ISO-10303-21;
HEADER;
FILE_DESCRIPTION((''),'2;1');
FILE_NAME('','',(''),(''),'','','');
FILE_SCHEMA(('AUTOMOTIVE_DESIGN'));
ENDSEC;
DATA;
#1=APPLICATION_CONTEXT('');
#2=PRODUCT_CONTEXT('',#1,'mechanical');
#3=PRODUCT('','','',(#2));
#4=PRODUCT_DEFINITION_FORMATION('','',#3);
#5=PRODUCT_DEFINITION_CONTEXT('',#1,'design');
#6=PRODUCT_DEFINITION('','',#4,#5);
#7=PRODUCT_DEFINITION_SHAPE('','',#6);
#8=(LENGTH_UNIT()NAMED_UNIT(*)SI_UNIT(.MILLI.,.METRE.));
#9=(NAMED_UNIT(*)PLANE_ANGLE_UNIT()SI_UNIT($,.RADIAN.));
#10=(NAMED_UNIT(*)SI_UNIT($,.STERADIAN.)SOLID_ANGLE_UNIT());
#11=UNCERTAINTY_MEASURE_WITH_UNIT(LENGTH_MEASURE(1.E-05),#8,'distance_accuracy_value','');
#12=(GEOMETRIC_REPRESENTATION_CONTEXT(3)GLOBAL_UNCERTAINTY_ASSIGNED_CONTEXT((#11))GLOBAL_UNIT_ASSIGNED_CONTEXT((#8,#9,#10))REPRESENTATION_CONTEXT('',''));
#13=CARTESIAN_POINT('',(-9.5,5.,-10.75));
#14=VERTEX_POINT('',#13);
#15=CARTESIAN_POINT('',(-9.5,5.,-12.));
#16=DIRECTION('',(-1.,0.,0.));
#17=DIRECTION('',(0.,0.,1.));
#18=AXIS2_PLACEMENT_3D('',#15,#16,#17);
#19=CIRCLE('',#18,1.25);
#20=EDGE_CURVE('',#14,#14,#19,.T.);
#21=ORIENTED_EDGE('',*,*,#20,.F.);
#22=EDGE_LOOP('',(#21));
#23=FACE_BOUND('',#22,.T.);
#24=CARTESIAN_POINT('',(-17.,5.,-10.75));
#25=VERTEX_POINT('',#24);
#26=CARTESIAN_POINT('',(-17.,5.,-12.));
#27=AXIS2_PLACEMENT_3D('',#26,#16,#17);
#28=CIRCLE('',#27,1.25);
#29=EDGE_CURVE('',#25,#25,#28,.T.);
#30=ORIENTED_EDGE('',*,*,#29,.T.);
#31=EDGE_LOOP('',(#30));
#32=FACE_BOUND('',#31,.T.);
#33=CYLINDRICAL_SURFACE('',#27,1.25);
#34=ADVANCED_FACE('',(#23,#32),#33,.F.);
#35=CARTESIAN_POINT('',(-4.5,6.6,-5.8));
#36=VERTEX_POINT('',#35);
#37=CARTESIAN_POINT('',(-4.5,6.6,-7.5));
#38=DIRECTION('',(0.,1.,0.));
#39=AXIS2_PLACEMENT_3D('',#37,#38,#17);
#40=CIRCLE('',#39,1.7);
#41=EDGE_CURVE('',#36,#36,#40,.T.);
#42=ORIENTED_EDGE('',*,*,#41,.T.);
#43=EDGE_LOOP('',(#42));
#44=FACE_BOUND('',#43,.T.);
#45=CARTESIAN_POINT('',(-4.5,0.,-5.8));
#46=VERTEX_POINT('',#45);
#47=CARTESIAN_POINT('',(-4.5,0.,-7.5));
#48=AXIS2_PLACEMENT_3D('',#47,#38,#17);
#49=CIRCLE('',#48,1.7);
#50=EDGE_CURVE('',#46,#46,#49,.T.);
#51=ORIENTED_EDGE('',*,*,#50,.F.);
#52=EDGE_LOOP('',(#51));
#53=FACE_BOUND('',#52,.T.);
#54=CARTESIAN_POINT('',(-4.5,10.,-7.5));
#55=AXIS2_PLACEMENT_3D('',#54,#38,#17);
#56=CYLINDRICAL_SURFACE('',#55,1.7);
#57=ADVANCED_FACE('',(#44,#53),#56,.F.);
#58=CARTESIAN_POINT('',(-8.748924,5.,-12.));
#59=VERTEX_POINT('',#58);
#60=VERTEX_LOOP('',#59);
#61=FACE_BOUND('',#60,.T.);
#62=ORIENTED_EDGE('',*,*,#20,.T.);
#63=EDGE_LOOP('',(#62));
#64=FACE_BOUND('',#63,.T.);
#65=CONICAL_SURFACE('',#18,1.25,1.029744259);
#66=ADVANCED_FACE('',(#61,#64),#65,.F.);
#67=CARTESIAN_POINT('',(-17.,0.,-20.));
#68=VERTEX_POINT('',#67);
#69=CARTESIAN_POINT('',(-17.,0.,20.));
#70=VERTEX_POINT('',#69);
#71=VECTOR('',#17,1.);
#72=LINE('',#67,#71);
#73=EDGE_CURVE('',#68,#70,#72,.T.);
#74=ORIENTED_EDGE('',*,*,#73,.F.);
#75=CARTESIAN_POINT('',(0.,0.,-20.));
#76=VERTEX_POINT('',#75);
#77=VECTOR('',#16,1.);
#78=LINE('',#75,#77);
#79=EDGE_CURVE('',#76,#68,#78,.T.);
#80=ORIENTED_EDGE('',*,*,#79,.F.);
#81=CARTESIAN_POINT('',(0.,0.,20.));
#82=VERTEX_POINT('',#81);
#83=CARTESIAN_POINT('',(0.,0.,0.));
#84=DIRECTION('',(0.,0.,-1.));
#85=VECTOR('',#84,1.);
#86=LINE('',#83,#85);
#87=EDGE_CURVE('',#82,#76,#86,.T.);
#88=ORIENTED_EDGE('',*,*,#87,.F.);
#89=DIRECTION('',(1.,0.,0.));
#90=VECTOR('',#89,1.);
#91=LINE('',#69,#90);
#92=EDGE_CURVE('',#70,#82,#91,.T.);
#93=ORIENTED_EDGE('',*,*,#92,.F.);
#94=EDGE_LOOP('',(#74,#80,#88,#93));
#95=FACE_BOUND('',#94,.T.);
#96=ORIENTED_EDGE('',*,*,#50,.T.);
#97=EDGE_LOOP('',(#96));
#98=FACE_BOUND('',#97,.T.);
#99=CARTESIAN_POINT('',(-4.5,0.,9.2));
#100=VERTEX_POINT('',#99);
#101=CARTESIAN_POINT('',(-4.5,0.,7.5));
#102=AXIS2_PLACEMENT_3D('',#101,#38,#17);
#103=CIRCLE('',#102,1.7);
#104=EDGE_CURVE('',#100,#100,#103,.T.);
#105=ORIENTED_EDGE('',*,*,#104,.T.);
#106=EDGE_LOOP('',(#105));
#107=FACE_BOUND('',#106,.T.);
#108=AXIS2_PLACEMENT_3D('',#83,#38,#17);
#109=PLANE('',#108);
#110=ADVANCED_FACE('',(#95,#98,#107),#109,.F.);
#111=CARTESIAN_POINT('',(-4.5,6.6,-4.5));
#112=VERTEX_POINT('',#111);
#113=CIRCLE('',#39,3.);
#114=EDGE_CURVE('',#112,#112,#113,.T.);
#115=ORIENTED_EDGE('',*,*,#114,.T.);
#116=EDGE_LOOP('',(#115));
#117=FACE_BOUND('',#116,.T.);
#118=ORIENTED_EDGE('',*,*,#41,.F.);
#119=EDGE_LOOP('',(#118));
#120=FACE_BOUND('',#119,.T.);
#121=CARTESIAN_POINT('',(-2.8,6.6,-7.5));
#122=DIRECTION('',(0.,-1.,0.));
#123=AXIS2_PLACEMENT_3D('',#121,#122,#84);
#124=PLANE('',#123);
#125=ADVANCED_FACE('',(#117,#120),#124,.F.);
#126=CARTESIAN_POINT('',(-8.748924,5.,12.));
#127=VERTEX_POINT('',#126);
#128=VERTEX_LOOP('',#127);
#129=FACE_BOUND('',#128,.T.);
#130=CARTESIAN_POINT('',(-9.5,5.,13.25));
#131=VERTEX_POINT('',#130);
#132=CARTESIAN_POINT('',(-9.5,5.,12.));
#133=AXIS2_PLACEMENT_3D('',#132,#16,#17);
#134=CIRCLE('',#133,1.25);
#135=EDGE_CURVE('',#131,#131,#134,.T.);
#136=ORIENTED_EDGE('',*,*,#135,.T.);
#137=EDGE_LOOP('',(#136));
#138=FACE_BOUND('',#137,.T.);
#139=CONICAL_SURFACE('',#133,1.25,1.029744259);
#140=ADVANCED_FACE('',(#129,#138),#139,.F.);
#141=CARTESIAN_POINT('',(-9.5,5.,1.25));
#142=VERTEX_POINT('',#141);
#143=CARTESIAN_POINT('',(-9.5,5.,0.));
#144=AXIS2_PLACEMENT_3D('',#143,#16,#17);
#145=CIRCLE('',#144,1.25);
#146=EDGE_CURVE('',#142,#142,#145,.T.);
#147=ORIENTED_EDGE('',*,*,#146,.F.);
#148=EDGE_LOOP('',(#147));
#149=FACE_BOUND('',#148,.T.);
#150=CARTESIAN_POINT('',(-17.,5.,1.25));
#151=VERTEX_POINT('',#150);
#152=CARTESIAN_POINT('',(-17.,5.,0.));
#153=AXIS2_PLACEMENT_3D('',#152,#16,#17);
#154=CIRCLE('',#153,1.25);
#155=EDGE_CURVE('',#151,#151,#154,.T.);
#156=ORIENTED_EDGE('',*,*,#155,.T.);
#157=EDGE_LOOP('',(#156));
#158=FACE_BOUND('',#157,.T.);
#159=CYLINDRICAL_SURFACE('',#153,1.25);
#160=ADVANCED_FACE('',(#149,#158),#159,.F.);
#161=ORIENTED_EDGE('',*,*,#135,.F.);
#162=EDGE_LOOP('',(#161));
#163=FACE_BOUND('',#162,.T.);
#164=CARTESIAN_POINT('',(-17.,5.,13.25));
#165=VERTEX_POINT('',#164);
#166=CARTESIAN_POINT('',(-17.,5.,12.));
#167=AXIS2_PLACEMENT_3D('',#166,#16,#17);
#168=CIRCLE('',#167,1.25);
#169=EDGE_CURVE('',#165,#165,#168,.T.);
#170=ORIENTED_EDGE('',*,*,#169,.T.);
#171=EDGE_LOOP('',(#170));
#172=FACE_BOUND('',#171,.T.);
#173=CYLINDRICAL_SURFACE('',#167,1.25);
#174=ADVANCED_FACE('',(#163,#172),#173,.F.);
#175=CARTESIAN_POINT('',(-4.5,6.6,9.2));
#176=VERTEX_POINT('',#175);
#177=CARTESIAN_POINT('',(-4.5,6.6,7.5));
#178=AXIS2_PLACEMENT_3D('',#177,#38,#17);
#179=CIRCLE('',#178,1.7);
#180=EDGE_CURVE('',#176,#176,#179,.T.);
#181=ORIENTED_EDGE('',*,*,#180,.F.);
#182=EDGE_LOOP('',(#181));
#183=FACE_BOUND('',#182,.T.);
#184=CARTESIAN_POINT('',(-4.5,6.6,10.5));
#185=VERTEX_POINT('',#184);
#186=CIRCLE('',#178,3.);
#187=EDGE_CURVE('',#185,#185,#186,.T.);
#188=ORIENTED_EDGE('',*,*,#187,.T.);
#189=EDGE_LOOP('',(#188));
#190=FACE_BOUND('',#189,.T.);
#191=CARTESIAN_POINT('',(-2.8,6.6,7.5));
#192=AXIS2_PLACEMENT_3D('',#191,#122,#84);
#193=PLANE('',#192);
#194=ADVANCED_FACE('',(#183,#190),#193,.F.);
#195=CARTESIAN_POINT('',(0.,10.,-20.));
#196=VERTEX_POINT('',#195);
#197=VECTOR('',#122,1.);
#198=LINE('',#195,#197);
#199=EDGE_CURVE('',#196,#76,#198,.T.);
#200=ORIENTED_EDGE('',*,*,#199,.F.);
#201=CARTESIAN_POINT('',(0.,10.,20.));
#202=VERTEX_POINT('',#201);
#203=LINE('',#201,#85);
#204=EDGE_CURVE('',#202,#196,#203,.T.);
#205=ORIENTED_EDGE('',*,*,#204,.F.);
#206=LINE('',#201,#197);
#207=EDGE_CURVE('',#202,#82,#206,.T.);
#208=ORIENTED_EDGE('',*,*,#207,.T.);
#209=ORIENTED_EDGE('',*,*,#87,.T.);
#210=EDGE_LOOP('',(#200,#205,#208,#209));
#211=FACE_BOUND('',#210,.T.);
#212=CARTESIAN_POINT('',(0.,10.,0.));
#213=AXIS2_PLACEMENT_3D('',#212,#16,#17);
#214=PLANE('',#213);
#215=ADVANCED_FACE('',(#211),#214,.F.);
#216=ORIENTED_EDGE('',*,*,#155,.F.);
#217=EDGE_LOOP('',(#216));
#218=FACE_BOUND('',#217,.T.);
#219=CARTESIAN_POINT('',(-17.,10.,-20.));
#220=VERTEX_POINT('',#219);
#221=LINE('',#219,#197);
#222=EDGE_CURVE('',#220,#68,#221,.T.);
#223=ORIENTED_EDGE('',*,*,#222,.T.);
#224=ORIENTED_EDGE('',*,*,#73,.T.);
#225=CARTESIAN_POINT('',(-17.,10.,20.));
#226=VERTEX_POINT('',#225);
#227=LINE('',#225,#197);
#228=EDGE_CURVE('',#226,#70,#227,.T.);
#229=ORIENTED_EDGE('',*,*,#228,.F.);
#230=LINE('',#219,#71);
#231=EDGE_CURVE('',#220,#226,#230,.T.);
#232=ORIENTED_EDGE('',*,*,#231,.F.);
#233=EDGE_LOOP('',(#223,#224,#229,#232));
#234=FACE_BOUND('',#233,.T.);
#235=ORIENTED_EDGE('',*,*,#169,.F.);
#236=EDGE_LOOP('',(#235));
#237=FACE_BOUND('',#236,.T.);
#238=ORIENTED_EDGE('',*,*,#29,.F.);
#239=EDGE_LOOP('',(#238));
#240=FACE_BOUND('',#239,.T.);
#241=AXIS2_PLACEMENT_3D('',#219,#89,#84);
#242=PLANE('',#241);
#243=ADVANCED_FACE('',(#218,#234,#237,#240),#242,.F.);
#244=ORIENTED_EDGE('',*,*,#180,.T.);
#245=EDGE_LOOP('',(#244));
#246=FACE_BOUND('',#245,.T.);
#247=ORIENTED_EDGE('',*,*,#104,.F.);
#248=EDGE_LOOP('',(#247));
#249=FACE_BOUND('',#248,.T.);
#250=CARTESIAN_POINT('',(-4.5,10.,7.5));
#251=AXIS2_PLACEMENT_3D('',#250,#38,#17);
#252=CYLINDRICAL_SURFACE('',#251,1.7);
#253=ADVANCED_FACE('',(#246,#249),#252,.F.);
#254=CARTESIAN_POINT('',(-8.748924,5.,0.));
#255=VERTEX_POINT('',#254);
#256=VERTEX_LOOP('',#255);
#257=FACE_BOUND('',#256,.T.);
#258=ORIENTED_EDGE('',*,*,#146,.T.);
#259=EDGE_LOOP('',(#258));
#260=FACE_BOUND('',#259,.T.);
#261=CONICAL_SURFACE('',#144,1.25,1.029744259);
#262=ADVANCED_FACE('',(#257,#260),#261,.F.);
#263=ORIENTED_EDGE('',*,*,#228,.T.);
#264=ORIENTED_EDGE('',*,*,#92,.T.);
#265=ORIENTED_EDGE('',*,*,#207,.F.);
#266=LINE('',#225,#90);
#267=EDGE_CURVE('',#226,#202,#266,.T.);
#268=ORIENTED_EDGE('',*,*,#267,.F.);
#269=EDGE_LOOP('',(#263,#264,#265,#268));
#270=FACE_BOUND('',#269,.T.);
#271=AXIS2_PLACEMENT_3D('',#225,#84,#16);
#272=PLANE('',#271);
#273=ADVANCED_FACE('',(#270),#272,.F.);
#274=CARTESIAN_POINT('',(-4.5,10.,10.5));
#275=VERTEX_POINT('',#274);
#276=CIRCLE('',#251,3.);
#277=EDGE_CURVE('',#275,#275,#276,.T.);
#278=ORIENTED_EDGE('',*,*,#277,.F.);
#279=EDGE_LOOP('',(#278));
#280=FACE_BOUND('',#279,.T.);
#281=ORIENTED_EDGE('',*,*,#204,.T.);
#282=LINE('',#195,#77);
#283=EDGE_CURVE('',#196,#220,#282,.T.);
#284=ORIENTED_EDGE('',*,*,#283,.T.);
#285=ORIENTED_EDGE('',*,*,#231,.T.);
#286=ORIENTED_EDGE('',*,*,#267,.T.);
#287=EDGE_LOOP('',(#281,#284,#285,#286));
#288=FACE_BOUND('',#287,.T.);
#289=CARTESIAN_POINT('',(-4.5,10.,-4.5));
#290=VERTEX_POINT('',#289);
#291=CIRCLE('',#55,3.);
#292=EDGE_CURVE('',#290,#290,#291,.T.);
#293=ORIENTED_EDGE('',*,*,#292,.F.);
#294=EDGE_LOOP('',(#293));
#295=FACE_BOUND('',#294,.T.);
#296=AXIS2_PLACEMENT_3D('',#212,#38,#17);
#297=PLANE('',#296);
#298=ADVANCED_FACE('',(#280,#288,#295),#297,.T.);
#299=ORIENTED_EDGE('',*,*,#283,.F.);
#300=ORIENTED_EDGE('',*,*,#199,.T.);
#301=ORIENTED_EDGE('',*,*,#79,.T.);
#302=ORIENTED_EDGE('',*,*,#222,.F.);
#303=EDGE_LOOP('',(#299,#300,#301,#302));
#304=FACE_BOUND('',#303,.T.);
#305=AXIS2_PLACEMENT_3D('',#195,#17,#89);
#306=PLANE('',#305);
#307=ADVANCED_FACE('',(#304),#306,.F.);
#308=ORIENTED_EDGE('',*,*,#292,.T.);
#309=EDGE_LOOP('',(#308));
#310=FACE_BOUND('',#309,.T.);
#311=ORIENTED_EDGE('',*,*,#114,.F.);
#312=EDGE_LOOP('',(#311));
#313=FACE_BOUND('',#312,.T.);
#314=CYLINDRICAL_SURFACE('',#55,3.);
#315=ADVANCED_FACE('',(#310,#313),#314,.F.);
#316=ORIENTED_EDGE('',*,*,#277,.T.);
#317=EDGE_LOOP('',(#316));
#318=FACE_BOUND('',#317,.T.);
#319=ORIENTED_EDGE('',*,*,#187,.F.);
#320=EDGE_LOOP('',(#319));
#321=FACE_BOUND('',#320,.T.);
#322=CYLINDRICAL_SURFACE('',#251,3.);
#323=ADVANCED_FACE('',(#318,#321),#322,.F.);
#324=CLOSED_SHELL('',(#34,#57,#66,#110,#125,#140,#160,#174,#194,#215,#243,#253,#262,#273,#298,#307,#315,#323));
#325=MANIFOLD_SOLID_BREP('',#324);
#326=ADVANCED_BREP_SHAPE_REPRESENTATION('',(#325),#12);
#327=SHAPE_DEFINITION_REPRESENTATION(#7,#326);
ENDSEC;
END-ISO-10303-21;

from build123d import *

# Parameters (mm, degrees)
EXTRUDE_1_DEPTH           = 10
HOLE_WIZARD_1_D           = 3.4
HOLE_WIZARD_1_CBORE_D     = 6
HOLE_WIZARD_1_CBORE_DEPTH = 3.4
HOLE_WIZARD_M3_2_D        = 2.5
HOLE_WIZARD_M3_2_DEPTH    = 7.5
HOLE_WIZARD_M3_2_TIP      = 0.751075774


with BuildPart() as part:
    # 草图1 → 凸台-拉伸1 (new body)
    with BuildSketch(Plane(origin=(0, 0, 0), x_dir=(1, 0, 0), z_dir=(0, 1, 0))):
        Polygon((0, 0), (0, 20), (-17, 20), (-17, -20), (0, -20), align=None)
    extrude(amount=EXTRUDE_1_DEPTH)

    # 打孔尺寸(%根据)内六角圆柱头螺钉的类型1 (through all)
    with Locations(Plane(origin=(-4.5, 10, -7.5), x_dir=(0, 0, 1), z_dir=(0, 1, 0))):
        with Locations((0, 0), (15, 0)):
            CounterBoreHole(HOLE_WIZARD_1_D / 2, HOLE_WIZARD_1_CBORE_D / 2, HOLE_WIZARD_1_CBORE_DEPTH)

    # M3 螺纹孔2
    with Locations(Plane(origin=(-17, 5, -12), x_dir=(0, 0, -1), z_dir=(-1, 0, 0))):
        with Locations((0, 0), (-12, 0), (-24, 0)):
            Hole(HOLE_WIZARD_M3_2_D / 2, depth=HOLE_WIZARD_M3_2_DEPTH)
            with Locations((0, 0, -(HOLE_WIZARD_M3_2_DEPTH + HOLE_WIZARD_M3_2_TIP / 2))):  # 118° drill point
                Cone(0, HOLE_WIZARD_M3_2_D / 2, HOLE_WIZARD_M3_2_TIP, mode=Mode.SUBTRACT)


solid = part.part
